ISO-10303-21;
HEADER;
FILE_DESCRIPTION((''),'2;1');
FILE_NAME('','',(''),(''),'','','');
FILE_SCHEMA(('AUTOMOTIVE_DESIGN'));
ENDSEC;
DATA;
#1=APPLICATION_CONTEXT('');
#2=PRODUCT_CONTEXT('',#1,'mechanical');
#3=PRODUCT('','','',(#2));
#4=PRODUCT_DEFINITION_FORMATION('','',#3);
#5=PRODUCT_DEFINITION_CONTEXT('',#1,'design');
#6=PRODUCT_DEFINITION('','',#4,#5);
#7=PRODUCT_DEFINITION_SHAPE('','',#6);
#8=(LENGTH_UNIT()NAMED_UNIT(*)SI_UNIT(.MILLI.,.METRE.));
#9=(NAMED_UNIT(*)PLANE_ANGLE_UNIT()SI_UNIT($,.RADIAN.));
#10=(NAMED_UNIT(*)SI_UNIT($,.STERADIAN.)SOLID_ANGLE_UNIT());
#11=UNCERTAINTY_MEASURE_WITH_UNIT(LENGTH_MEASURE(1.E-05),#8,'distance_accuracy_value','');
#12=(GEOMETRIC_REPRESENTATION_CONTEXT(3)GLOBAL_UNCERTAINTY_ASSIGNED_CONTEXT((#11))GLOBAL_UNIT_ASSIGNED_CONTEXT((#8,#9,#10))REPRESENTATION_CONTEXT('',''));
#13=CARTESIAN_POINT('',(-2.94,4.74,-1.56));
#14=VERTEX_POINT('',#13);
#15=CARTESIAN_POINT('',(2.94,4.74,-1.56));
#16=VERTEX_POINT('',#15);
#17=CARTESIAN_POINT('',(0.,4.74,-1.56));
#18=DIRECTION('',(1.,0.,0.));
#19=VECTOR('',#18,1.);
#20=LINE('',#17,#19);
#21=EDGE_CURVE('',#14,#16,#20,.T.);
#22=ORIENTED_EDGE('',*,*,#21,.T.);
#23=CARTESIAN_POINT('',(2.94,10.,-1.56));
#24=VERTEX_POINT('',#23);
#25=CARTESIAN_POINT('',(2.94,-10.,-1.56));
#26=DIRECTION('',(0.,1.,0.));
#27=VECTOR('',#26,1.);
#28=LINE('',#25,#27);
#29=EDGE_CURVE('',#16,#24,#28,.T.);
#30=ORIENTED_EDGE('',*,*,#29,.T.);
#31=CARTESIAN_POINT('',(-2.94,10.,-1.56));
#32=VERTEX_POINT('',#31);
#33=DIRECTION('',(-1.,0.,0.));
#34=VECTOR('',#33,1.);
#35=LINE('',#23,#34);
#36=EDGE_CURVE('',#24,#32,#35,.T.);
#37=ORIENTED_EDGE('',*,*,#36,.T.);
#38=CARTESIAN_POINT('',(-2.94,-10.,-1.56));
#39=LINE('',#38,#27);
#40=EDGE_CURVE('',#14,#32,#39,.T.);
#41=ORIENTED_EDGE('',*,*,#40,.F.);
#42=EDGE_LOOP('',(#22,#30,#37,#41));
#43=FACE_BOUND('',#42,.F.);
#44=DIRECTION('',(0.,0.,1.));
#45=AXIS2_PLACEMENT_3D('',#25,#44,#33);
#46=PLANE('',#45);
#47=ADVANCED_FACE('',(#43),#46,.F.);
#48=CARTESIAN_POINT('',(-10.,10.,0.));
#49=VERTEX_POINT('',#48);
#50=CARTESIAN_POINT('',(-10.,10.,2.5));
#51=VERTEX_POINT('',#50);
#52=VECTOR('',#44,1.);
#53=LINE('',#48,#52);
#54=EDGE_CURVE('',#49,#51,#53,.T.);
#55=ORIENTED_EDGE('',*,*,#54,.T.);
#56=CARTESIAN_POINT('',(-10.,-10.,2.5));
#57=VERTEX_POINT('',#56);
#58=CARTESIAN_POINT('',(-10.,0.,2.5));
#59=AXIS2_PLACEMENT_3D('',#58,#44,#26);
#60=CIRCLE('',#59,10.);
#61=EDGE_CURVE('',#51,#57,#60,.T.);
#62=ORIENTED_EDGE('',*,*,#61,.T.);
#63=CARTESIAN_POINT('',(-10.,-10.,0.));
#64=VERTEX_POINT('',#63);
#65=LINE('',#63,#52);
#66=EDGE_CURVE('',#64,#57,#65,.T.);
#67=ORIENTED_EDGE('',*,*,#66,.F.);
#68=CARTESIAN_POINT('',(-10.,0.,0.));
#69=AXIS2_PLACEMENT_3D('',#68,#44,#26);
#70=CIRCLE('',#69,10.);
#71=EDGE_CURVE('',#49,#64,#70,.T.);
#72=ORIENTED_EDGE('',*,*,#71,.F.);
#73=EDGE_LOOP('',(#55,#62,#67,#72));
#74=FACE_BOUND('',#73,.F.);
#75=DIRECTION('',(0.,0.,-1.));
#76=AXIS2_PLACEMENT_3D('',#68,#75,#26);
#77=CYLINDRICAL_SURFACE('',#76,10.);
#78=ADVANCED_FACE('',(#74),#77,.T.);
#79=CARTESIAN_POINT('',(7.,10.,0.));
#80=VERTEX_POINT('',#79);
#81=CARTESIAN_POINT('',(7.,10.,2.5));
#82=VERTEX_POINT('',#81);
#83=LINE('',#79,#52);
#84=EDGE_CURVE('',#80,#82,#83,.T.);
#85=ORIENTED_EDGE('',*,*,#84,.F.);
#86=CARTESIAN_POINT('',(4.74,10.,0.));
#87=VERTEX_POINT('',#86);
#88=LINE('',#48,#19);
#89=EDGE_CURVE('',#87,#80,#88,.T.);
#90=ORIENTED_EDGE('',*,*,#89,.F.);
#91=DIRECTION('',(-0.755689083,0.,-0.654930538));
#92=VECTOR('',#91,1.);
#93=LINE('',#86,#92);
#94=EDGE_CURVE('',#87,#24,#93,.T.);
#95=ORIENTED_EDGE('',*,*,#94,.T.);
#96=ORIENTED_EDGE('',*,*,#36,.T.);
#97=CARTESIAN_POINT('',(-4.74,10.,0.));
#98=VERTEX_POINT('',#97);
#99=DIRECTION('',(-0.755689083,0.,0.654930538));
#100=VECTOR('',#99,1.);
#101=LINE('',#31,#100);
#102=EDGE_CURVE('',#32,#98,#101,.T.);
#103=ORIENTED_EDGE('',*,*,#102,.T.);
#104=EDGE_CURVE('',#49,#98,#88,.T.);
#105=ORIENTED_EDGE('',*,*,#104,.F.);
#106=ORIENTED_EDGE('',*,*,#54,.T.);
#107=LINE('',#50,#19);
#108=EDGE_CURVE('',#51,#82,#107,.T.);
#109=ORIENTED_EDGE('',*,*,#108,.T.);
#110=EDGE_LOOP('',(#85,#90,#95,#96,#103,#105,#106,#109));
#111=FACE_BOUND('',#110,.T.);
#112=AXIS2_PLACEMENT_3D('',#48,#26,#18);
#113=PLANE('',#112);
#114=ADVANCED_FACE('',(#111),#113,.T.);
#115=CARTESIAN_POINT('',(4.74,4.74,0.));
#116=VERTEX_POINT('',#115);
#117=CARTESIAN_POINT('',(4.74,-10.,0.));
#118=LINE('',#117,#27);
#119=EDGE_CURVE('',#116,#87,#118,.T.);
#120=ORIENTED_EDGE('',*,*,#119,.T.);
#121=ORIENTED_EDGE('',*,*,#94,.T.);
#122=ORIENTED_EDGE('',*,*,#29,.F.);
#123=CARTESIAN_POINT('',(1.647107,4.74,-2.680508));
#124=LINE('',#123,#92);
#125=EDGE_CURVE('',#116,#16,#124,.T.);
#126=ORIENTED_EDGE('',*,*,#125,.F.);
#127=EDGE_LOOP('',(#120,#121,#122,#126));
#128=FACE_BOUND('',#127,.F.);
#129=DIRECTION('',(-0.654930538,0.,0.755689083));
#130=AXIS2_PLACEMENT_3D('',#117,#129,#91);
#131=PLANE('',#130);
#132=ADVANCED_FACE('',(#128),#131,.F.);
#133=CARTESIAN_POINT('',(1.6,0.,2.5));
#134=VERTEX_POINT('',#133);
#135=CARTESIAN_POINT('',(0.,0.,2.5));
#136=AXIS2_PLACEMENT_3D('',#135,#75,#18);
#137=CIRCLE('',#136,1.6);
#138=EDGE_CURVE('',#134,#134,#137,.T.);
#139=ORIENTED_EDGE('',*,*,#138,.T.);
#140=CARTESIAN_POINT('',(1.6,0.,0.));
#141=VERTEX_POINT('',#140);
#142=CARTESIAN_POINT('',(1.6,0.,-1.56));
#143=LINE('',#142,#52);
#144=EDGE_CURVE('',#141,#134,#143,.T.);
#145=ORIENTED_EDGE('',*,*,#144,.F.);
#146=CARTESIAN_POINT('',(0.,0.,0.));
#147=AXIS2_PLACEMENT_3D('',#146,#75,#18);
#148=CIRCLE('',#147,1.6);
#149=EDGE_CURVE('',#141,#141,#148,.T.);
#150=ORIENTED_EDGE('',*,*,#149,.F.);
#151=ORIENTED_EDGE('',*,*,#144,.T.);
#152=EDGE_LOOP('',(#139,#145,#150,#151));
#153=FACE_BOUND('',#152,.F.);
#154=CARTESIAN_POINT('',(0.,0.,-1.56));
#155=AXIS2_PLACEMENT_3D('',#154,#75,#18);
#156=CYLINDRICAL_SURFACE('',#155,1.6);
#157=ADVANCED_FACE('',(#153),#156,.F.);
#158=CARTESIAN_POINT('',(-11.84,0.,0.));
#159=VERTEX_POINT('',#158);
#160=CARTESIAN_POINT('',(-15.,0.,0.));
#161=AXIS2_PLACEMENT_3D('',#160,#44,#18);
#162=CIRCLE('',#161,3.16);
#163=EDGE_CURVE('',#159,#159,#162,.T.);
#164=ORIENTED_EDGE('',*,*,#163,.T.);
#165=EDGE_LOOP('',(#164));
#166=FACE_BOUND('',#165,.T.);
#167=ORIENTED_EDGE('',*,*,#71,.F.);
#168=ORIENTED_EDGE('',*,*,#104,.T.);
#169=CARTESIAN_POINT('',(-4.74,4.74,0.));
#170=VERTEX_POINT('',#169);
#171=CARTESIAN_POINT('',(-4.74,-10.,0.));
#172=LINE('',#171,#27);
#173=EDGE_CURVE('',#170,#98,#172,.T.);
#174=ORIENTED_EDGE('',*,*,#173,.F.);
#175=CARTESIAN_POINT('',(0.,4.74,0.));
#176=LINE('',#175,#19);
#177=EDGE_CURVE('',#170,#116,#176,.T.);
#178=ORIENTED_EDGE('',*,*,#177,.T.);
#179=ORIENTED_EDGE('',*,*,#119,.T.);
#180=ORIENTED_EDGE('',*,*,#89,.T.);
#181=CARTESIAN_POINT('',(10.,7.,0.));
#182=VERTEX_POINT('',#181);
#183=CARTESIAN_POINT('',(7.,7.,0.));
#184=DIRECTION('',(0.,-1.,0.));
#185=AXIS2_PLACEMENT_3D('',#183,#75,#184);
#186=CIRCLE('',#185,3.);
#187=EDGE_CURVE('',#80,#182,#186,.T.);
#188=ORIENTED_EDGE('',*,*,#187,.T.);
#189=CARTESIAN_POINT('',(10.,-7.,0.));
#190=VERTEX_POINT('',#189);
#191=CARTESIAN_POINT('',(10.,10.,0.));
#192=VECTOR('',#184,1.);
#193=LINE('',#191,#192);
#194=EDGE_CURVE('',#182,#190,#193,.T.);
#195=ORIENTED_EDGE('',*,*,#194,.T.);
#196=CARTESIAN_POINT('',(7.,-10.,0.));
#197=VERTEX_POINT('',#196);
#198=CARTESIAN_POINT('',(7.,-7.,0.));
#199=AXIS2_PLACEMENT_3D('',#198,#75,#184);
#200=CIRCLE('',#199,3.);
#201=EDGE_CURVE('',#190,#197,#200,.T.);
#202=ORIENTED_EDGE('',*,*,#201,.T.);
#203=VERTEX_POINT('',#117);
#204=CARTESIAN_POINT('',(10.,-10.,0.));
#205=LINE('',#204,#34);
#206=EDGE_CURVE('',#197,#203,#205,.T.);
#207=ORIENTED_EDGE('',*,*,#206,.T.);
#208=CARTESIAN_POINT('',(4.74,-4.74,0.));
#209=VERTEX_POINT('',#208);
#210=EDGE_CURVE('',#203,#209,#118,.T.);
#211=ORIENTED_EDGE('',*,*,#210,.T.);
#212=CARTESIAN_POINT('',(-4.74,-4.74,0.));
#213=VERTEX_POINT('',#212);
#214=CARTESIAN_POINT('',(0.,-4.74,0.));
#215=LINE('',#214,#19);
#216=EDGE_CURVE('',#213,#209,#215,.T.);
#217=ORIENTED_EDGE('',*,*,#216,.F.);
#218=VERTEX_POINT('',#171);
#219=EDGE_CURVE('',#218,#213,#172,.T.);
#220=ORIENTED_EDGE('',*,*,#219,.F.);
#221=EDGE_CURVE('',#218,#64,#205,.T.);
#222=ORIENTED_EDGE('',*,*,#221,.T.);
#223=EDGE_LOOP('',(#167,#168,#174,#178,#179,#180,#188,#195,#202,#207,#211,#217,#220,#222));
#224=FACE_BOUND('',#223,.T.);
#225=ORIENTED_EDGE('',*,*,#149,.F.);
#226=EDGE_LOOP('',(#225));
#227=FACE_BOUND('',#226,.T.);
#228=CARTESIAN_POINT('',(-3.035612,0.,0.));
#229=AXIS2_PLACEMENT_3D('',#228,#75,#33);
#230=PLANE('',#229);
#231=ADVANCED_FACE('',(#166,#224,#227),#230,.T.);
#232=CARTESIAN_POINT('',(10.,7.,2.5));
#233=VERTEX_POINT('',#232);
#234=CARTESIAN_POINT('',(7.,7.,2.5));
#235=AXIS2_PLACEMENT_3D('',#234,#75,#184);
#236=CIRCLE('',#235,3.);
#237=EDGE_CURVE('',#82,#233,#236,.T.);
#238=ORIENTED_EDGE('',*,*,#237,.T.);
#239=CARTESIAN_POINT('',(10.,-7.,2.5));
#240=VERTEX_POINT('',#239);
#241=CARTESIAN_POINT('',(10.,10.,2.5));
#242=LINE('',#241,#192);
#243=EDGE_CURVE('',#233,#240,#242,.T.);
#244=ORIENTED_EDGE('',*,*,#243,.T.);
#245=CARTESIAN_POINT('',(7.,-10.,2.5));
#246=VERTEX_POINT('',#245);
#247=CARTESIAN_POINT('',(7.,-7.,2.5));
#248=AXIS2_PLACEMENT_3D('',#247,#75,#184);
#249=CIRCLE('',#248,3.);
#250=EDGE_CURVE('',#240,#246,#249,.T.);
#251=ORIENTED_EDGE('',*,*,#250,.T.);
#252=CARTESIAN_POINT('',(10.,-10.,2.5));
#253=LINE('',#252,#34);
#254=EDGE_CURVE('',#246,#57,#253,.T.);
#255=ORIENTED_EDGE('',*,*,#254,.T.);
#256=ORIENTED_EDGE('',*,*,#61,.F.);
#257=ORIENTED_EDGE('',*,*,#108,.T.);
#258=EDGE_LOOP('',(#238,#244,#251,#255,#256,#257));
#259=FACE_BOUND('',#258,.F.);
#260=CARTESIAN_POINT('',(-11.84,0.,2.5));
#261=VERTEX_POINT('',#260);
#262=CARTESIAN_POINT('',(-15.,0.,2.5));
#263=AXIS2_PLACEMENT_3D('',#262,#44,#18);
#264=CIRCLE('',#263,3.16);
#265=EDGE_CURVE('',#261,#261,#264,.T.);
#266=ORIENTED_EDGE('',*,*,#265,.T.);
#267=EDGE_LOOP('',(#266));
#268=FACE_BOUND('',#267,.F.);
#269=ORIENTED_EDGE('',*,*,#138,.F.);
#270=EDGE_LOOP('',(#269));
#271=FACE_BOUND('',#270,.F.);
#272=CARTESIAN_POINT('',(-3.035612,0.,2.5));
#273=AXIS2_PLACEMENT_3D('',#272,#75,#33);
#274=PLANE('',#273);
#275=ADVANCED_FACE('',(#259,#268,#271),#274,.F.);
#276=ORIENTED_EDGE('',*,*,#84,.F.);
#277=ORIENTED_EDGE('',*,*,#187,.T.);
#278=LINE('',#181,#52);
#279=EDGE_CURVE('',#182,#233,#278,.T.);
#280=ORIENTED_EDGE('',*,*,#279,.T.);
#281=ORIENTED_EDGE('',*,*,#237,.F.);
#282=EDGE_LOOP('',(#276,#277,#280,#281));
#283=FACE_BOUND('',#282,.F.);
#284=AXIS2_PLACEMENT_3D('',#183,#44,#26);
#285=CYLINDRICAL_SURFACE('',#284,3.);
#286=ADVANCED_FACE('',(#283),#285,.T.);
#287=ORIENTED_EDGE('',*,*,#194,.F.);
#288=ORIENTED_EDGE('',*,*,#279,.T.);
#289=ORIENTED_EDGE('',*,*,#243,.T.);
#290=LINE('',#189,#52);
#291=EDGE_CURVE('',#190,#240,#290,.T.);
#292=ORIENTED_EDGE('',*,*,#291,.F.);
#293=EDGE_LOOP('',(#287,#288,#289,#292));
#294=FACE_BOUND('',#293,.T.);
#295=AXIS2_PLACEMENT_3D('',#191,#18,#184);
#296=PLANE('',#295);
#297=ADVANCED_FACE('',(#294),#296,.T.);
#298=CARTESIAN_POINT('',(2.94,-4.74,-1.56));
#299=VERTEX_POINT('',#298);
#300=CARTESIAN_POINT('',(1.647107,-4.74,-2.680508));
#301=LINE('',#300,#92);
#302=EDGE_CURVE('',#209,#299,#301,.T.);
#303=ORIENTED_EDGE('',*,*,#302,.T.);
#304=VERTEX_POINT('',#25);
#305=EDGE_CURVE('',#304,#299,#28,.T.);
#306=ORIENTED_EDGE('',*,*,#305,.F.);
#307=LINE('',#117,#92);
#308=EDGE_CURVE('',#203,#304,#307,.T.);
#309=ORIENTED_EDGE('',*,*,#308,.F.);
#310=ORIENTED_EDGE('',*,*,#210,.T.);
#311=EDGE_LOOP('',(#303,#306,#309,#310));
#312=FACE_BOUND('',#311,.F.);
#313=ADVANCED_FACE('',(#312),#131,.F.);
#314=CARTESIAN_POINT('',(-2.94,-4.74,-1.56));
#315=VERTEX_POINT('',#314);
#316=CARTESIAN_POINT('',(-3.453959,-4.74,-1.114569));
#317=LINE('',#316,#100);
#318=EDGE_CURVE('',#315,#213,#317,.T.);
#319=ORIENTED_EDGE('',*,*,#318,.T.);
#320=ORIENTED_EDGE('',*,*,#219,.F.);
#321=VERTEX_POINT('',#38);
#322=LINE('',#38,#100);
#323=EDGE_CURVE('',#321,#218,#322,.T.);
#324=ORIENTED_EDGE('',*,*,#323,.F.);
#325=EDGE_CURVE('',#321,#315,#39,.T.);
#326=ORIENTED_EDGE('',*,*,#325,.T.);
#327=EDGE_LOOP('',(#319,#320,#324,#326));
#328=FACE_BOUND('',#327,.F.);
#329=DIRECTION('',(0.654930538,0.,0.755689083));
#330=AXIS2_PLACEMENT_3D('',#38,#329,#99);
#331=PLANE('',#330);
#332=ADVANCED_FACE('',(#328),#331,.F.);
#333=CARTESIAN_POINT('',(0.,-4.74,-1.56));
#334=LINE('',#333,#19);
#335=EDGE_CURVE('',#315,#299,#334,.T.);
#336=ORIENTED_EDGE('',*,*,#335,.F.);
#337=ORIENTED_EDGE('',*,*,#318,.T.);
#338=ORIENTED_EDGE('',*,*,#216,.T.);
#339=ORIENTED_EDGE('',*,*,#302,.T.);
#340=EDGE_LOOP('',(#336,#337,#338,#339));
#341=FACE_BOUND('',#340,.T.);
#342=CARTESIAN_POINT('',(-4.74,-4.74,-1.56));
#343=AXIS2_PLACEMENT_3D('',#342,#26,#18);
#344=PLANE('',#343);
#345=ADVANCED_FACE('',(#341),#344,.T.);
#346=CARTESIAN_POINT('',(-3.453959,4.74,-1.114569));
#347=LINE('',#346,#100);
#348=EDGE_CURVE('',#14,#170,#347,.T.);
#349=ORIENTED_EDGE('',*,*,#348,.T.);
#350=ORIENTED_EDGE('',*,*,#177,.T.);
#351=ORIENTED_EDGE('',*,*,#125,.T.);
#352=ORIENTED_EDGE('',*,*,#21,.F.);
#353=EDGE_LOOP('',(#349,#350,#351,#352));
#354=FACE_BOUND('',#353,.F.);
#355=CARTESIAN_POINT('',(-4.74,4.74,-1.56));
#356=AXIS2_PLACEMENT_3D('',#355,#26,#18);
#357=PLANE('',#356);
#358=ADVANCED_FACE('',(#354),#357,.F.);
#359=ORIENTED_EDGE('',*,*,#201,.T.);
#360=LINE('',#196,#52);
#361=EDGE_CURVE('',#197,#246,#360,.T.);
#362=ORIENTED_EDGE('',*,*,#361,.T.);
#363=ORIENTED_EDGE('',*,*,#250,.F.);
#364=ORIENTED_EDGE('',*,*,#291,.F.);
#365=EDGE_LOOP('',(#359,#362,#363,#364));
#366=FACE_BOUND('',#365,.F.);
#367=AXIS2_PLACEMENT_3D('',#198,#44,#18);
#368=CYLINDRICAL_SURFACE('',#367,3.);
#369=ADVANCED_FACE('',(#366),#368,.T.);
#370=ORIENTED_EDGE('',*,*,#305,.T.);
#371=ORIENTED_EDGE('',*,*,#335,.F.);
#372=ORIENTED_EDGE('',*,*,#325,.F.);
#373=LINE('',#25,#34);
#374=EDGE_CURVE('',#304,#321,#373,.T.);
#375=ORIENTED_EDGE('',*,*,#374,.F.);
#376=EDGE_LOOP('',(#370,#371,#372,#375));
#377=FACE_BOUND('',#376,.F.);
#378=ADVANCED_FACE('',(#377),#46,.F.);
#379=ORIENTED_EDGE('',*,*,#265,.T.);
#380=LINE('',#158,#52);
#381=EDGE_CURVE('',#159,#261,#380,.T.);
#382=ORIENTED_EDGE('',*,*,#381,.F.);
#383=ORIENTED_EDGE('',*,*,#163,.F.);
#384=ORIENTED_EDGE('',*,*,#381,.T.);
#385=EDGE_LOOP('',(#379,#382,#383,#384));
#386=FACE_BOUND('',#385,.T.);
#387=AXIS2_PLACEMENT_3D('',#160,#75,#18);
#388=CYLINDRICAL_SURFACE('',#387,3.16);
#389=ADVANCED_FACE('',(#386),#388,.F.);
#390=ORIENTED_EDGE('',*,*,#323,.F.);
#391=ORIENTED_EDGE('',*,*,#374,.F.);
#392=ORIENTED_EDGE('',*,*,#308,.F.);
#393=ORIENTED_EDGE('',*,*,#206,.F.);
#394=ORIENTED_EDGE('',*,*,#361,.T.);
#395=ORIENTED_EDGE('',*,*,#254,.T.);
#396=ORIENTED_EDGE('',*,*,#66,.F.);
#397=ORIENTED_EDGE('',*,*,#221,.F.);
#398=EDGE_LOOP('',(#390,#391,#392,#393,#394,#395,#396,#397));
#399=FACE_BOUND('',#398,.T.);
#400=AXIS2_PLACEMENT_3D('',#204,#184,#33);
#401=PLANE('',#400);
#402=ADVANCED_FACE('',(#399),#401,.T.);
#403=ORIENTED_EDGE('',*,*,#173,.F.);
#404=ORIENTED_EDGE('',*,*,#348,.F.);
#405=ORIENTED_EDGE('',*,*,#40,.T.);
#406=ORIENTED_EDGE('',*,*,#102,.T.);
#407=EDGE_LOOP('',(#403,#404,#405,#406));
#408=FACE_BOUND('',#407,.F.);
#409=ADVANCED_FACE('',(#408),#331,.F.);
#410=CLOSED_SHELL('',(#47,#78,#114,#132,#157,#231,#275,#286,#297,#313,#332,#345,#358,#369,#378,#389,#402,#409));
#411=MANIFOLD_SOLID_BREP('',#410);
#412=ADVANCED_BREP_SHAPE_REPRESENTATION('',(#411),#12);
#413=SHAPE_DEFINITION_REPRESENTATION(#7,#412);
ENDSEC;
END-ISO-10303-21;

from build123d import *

# Parameters (mm, degrees)
SKETCH_R        = 3.16
PAD_DEPTH       = 2.5
PAD001_DEPTH    = 20
SKETCH002_R     = 1.6
POCKET_DEPTH    = 4.061
FILLET_R        = 3
SKETCH003_W     = 9.48
SKETCH003_H     = 9.48
POCKET001_DEPTH = 1.56


with BuildPart() as part:
    # Sketch → Pad (new body)
    with BuildSketch(Plane.XY):
        with BuildLine():
            Line((-10, 10), (10, 10))
            Line((10, 10), (10, -10))
            Line((10, -10), (-10, -10))
            ThreePointArc((-10, 10), (-20, 0), (-10, -10))
        make_face()
        with Locations((-15, 0)):
            Circle(SKETCH_R, mode=Mode.SUBTRACT)
    extrude(amount=PAD_DEPTH)

    # Sketch001 (on Face3 of Pad) → Pad001 (join)
    with BuildSketch(Plane.XZ.offset(10)):
        Polygon((-4.74, 0), (4.74, 0), (2.94, -1.56), (-2.94, -1.56), align=None)
    extrude(amount=-PAD001_DEPTH)

    # Sketch002 (on Face11 of Pad001) → Pocket (cut, through all)
    with BuildSketch(Plane(origin=(0, 0, -1.56), x_dir=(1, 0, 0), z_dir=(0, 0, -1))):
        Circle(SKETCH002_R)
    extrude(amount=-POCKET_DEPTH, mode=Mode.SUBTRACT)

    # Fillet
    fillet_edges = [part.edges().sort_by_distance(p)[0] for p in [
        (10, -10, 1.25),
        (10, 10, 1.25),
    ]]
    fillet(fillet_edges, radius=FILLET_R)

    # Sketch003 (on Face13 of Fillet) → Pocket001 (cut)
    with BuildSketch(Plane(origin=(0, 0, -1.56), x_dir=(1, 0, 0), z_dir=(0, 0, -1))):
        Rectangle(SKETCH003_W, SKETCH003_H)
    extrude(amount=-POCKET001_DEPTH, mode=Mode.SUBTRACT)


solid = part.part
